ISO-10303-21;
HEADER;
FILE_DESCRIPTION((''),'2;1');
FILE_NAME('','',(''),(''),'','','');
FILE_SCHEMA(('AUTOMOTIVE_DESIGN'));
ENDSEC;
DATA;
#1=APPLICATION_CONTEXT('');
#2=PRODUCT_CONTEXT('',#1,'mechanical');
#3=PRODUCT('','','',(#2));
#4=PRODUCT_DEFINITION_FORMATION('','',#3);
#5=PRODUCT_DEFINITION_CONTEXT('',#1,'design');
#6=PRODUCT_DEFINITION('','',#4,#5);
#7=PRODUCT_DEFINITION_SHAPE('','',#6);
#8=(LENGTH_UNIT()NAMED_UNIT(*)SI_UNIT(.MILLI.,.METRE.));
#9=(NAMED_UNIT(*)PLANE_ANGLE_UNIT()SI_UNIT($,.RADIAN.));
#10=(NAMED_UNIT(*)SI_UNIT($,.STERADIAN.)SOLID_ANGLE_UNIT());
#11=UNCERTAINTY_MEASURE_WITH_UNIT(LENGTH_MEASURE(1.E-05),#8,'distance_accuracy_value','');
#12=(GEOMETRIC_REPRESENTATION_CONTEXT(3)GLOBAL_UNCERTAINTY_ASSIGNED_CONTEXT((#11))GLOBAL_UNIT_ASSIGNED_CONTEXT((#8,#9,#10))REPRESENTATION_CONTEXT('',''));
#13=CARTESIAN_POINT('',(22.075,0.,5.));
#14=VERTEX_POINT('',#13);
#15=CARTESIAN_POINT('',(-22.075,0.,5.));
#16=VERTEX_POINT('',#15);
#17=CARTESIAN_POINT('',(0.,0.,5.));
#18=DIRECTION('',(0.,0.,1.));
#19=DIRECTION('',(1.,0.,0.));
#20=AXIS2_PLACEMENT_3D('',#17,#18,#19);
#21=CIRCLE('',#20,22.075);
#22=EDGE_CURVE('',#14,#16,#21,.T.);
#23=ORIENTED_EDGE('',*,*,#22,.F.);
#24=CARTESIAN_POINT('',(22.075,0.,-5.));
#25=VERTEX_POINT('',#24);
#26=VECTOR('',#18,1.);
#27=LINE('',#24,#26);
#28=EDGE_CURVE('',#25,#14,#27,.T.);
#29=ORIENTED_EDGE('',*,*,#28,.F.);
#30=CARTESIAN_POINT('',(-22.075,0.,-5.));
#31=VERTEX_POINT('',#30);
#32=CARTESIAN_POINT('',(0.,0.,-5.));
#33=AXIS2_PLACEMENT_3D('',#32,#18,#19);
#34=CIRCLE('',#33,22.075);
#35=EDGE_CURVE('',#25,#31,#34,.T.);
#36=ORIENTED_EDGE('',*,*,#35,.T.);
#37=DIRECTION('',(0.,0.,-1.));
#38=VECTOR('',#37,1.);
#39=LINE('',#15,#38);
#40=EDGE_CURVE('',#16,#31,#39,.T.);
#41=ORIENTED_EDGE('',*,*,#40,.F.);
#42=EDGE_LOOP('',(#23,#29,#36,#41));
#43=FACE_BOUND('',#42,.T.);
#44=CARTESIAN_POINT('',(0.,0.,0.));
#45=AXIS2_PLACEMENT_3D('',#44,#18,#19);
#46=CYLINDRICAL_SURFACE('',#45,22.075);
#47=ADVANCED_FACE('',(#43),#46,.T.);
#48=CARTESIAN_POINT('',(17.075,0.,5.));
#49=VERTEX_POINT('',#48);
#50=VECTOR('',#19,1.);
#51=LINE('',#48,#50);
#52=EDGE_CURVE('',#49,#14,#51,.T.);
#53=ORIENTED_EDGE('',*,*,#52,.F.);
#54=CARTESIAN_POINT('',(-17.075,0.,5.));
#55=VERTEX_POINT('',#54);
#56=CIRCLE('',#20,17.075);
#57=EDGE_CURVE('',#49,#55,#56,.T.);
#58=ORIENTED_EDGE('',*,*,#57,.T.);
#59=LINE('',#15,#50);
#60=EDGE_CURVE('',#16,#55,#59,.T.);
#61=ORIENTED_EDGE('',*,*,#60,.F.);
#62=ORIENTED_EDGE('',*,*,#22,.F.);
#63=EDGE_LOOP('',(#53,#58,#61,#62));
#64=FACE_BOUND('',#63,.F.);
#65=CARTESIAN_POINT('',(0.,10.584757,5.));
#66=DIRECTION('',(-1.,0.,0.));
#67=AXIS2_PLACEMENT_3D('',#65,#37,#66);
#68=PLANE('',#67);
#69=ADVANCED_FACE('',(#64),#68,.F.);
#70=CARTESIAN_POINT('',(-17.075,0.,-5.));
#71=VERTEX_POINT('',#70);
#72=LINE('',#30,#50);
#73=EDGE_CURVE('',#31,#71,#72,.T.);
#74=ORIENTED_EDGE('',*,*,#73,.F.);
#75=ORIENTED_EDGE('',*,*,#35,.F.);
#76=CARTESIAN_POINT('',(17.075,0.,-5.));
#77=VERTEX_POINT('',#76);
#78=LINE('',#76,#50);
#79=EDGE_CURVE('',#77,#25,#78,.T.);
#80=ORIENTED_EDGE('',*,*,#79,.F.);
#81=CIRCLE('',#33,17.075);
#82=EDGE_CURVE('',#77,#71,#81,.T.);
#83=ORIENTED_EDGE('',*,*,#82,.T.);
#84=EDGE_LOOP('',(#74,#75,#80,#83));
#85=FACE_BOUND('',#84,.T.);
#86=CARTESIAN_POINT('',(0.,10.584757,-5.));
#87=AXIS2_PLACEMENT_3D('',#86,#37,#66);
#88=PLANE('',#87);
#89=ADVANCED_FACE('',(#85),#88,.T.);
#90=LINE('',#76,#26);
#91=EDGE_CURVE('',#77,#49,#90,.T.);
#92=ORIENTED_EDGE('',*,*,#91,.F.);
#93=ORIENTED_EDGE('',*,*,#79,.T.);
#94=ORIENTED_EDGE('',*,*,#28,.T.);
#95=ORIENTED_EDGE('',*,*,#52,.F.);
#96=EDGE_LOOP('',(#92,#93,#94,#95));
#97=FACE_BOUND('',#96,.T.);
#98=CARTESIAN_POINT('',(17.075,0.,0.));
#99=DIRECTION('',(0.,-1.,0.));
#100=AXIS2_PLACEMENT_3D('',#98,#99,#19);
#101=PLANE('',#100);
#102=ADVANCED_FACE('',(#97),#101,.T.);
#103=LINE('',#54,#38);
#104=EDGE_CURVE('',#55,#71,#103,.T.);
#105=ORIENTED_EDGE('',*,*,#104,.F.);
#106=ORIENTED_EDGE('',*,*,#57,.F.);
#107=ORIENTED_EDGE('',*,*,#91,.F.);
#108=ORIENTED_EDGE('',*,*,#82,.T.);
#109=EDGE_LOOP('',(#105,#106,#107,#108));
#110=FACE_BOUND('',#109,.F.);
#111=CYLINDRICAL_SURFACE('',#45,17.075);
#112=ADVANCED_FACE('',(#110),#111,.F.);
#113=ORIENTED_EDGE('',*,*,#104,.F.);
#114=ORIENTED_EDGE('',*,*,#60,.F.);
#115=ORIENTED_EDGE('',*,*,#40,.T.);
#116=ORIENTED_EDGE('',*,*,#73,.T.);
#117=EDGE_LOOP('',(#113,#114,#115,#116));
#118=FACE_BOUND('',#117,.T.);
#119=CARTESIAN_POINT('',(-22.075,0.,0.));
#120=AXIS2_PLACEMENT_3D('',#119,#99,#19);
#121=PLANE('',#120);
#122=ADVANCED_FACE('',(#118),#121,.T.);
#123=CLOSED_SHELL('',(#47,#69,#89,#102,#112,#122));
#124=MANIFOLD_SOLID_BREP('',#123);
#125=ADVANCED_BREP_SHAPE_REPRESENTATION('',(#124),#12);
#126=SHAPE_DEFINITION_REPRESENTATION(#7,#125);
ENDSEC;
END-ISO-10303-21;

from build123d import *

# Parameters (mm, degrees)
PAD_DEPTH = 5


with BuildPart() as part:
    # Sketch → Pad (new body, symmetric)
    with BuildSketch(Plane.XY):
        with BuildLine():
            ThreePointArc((17.075, 0), (0, 17.075), (-17.075, 0))
            Line((-22.075, 0), (-17.075, 0))
            ThreePointArc((22.075, 0), (0, 22.075), (-22.075, 0))
            Line((17.075, 0), (22.075, 0))
        make_face()
    extrude(amount=PAD_DEPTH, both=True)


solid = part.part
